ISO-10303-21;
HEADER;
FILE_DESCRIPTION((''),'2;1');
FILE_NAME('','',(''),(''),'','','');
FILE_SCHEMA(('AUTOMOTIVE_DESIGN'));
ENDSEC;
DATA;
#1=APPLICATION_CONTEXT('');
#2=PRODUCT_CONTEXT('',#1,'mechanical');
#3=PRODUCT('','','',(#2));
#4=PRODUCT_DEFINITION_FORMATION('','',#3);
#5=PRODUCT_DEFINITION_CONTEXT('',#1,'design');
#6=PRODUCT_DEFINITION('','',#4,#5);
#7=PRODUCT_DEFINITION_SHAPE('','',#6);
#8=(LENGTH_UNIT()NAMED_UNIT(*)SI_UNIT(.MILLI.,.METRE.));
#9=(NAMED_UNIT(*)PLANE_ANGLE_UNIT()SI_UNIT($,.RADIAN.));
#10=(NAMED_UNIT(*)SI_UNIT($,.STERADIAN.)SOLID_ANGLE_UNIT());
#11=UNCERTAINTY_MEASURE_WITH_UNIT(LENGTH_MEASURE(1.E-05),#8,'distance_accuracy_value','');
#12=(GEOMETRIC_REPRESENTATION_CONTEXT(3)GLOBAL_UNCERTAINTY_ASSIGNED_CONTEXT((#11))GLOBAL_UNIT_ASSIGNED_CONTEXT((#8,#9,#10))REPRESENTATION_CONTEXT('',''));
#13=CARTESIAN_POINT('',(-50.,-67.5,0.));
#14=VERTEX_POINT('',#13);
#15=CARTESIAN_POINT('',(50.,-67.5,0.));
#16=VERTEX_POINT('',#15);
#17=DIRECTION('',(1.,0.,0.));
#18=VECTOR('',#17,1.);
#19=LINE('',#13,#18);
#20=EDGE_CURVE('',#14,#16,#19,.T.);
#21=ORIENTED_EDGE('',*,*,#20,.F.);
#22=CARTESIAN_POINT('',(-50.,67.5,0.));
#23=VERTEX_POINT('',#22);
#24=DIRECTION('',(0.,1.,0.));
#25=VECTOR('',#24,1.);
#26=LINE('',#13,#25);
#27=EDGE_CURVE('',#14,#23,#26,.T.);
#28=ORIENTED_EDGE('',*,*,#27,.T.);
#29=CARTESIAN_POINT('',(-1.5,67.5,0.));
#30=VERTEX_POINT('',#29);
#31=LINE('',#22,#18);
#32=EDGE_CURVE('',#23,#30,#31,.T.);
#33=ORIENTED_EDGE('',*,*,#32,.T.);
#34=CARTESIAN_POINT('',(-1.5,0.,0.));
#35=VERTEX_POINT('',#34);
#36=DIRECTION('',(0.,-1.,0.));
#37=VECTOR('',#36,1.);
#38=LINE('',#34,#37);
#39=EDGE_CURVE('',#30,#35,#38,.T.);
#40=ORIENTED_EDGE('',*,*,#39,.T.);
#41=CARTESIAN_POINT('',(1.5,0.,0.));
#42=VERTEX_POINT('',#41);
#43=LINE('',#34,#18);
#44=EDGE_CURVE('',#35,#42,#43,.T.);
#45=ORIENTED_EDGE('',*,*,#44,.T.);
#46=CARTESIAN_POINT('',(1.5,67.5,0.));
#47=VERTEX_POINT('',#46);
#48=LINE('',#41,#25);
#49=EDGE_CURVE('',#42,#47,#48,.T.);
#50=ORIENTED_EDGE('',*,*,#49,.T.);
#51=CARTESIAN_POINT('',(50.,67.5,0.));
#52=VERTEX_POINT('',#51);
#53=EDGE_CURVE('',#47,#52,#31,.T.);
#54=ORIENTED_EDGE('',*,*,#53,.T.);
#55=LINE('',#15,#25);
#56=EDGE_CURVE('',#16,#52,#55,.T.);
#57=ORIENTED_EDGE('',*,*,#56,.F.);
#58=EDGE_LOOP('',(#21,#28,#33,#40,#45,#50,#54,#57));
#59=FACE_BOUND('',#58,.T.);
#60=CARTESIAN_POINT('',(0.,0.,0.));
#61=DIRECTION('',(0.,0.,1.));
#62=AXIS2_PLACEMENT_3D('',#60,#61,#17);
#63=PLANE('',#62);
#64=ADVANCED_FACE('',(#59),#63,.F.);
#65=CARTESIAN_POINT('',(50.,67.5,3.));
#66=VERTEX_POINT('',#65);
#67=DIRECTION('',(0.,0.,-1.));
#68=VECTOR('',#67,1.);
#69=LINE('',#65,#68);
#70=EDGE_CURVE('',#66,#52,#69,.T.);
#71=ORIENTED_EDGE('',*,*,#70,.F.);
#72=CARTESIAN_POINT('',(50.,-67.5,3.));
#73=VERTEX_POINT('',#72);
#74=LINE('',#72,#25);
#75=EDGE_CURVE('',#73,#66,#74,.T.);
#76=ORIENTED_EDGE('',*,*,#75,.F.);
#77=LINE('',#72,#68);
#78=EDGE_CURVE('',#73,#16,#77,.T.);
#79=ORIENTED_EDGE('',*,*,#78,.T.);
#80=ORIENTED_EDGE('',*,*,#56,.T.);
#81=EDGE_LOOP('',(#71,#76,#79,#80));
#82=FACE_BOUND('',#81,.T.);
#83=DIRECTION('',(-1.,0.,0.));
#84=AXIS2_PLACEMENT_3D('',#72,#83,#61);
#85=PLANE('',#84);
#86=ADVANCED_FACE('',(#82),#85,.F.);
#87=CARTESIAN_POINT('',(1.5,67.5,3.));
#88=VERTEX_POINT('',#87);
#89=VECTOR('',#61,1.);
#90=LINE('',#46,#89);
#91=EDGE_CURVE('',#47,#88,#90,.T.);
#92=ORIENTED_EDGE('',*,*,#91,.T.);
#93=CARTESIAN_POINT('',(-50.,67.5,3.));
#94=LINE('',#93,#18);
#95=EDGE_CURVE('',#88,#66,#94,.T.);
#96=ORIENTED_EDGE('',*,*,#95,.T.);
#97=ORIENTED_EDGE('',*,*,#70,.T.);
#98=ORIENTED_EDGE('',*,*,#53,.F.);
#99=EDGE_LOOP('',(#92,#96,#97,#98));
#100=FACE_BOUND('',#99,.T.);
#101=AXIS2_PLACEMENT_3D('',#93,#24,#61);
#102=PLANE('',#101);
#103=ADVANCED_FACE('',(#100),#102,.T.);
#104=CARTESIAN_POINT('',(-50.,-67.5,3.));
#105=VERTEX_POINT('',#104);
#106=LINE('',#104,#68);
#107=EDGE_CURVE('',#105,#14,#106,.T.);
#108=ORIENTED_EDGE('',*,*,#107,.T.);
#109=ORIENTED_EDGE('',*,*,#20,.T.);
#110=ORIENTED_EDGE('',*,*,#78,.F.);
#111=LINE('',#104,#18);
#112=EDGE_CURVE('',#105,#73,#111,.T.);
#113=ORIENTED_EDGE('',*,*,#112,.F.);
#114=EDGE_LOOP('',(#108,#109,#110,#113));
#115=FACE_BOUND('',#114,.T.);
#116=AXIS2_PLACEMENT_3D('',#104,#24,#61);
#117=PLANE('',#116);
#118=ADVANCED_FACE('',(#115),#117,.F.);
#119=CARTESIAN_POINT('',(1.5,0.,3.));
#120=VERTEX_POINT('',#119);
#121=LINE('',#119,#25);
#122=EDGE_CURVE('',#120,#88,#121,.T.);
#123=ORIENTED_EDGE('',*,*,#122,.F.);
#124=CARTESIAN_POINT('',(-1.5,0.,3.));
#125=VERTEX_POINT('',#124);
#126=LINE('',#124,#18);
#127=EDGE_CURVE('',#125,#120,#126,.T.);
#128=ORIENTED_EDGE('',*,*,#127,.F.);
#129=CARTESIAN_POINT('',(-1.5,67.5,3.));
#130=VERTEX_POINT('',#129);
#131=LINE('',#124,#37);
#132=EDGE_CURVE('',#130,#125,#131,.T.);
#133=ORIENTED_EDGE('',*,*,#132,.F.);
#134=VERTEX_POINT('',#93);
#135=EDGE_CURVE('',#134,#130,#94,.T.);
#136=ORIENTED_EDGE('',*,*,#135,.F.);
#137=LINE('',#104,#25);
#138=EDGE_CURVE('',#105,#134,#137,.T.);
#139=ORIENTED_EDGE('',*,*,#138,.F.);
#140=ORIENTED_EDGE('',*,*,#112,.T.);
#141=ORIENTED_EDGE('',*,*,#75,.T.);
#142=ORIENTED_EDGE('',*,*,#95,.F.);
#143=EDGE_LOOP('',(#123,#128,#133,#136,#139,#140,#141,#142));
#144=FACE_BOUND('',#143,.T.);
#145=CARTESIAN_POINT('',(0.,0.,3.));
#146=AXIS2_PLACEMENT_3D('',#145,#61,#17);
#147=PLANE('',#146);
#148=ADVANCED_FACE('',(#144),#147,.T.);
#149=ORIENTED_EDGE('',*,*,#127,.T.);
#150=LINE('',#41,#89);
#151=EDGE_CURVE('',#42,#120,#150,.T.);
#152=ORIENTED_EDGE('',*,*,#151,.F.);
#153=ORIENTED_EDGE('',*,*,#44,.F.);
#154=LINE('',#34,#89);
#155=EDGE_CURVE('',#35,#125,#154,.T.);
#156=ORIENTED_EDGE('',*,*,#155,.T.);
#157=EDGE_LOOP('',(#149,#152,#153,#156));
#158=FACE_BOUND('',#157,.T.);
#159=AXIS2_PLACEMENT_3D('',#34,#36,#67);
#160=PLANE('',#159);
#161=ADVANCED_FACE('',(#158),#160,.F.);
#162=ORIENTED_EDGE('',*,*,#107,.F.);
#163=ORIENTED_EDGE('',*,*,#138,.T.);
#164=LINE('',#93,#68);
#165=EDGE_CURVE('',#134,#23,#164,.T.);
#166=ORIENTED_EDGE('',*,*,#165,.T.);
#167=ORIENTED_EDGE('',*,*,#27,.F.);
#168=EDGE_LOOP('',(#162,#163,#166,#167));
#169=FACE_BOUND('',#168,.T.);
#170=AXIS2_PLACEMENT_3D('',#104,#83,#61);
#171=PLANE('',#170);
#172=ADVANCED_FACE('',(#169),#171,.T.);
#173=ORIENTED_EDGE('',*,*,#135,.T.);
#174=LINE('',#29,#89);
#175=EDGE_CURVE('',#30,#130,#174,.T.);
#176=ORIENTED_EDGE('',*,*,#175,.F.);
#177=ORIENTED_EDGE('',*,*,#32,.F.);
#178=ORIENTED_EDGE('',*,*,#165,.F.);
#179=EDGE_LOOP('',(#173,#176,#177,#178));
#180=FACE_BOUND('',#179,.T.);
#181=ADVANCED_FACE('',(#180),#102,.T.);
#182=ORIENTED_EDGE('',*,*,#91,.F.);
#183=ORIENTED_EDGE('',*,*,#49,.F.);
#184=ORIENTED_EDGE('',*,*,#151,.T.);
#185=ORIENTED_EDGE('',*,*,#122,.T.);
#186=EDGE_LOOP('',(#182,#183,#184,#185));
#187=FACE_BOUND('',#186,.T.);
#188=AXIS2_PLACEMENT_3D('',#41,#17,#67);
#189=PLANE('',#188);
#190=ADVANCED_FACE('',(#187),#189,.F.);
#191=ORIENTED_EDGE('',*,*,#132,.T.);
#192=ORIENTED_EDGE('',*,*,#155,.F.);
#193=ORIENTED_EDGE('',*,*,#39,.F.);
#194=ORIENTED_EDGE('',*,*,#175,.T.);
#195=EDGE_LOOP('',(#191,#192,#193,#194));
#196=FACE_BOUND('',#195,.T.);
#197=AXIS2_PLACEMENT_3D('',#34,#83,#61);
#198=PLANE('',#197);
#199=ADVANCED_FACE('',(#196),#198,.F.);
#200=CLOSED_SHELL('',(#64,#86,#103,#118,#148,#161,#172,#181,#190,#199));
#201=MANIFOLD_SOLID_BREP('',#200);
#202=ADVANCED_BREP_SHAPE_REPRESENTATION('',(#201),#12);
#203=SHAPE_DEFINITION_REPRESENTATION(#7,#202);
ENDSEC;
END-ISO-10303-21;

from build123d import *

# Parameters (mm, degrees)
SKETCH1_W           = 100
SKETCH1_H           = 135
BOSS_EXTRUDE1_DEPTH = 3
SKETCH2_W           = 3
SKETCH2_H           = 67.5
CUT_EXTRUDE1_DEPTH  = 3


with BuildPart() as part:
    # Sketch1 → Boss-Extrude1 (new body)
    with BuildSketch(Plane.XY):
        Rectangle(SKETCH1_W, SKETCH1_H)
    extrude(amount=BOSS_EXTRUDE1_DEPTH)

    # Sketch2 → Cut-Extrude1 (cut)
    with BuildSketch(Plane.XY.offset(3)):
        with Locations((0, 33.75)):
            Rectangle(SKETCH2_W, SKETCH2_H)
    extrude(amount=-CUT_EXTRUDE1_DEPTH, mode=Mode.SUBTRACT)


solid = part.part
